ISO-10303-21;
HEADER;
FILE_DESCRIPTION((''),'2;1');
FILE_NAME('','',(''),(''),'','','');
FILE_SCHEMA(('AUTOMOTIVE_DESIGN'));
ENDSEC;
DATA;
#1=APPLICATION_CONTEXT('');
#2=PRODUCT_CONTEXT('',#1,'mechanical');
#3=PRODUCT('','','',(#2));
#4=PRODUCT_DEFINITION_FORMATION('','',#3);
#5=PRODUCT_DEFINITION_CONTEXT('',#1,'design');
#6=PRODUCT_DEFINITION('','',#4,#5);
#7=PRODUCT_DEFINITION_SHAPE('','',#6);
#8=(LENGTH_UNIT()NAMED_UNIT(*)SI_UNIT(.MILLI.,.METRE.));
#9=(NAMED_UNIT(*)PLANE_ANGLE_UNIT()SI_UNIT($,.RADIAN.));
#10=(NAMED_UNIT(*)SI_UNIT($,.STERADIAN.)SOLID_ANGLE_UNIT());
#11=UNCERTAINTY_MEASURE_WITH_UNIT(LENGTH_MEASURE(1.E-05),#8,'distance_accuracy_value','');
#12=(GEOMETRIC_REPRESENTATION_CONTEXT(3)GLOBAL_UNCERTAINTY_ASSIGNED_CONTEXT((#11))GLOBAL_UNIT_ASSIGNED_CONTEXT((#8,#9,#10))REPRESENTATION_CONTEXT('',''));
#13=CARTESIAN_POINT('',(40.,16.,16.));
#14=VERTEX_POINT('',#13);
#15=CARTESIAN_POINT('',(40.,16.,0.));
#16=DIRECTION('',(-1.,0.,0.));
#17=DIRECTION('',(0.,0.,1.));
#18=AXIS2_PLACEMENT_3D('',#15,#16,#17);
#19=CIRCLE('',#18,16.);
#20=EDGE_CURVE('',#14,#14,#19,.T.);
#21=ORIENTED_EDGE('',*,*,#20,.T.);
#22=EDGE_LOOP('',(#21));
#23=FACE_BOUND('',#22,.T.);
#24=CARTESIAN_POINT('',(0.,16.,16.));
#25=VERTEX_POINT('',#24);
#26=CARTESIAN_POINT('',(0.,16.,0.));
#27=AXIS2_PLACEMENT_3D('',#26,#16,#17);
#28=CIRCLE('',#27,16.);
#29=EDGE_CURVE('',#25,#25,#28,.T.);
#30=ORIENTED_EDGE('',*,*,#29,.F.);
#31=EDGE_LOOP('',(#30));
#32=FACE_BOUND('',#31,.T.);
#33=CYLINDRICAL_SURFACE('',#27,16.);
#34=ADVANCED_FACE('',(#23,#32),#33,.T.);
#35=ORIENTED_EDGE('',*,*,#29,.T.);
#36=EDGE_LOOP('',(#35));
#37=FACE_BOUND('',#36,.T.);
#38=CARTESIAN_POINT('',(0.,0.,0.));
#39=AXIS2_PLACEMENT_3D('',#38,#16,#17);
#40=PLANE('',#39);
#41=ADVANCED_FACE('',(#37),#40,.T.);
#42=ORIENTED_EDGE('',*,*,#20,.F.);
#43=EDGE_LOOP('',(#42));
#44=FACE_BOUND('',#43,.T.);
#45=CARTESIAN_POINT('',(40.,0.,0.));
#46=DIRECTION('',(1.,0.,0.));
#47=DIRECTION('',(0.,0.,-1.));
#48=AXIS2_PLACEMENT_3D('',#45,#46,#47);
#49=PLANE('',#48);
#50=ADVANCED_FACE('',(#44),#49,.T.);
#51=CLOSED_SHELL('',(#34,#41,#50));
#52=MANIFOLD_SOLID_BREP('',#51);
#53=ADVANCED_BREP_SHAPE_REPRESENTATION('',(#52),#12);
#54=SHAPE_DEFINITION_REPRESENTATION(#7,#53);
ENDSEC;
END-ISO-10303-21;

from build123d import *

# Parameters (mm, degrees)
SCHIZZO1_W = 40
SCHIZZO1_H = 16


with BuildPart() as part:
    # Schizzo1 → Rivoluzione1 (revolve)
    with BuildSketch(Plane.XY):
        with Locations((20, 8)):
            Rectangle(SCHIZZO1_W, SCHIZZO1_H)
    revolve(axis=Axis((0, 16, 0), (1, 0, 0)))


solid = part.part
